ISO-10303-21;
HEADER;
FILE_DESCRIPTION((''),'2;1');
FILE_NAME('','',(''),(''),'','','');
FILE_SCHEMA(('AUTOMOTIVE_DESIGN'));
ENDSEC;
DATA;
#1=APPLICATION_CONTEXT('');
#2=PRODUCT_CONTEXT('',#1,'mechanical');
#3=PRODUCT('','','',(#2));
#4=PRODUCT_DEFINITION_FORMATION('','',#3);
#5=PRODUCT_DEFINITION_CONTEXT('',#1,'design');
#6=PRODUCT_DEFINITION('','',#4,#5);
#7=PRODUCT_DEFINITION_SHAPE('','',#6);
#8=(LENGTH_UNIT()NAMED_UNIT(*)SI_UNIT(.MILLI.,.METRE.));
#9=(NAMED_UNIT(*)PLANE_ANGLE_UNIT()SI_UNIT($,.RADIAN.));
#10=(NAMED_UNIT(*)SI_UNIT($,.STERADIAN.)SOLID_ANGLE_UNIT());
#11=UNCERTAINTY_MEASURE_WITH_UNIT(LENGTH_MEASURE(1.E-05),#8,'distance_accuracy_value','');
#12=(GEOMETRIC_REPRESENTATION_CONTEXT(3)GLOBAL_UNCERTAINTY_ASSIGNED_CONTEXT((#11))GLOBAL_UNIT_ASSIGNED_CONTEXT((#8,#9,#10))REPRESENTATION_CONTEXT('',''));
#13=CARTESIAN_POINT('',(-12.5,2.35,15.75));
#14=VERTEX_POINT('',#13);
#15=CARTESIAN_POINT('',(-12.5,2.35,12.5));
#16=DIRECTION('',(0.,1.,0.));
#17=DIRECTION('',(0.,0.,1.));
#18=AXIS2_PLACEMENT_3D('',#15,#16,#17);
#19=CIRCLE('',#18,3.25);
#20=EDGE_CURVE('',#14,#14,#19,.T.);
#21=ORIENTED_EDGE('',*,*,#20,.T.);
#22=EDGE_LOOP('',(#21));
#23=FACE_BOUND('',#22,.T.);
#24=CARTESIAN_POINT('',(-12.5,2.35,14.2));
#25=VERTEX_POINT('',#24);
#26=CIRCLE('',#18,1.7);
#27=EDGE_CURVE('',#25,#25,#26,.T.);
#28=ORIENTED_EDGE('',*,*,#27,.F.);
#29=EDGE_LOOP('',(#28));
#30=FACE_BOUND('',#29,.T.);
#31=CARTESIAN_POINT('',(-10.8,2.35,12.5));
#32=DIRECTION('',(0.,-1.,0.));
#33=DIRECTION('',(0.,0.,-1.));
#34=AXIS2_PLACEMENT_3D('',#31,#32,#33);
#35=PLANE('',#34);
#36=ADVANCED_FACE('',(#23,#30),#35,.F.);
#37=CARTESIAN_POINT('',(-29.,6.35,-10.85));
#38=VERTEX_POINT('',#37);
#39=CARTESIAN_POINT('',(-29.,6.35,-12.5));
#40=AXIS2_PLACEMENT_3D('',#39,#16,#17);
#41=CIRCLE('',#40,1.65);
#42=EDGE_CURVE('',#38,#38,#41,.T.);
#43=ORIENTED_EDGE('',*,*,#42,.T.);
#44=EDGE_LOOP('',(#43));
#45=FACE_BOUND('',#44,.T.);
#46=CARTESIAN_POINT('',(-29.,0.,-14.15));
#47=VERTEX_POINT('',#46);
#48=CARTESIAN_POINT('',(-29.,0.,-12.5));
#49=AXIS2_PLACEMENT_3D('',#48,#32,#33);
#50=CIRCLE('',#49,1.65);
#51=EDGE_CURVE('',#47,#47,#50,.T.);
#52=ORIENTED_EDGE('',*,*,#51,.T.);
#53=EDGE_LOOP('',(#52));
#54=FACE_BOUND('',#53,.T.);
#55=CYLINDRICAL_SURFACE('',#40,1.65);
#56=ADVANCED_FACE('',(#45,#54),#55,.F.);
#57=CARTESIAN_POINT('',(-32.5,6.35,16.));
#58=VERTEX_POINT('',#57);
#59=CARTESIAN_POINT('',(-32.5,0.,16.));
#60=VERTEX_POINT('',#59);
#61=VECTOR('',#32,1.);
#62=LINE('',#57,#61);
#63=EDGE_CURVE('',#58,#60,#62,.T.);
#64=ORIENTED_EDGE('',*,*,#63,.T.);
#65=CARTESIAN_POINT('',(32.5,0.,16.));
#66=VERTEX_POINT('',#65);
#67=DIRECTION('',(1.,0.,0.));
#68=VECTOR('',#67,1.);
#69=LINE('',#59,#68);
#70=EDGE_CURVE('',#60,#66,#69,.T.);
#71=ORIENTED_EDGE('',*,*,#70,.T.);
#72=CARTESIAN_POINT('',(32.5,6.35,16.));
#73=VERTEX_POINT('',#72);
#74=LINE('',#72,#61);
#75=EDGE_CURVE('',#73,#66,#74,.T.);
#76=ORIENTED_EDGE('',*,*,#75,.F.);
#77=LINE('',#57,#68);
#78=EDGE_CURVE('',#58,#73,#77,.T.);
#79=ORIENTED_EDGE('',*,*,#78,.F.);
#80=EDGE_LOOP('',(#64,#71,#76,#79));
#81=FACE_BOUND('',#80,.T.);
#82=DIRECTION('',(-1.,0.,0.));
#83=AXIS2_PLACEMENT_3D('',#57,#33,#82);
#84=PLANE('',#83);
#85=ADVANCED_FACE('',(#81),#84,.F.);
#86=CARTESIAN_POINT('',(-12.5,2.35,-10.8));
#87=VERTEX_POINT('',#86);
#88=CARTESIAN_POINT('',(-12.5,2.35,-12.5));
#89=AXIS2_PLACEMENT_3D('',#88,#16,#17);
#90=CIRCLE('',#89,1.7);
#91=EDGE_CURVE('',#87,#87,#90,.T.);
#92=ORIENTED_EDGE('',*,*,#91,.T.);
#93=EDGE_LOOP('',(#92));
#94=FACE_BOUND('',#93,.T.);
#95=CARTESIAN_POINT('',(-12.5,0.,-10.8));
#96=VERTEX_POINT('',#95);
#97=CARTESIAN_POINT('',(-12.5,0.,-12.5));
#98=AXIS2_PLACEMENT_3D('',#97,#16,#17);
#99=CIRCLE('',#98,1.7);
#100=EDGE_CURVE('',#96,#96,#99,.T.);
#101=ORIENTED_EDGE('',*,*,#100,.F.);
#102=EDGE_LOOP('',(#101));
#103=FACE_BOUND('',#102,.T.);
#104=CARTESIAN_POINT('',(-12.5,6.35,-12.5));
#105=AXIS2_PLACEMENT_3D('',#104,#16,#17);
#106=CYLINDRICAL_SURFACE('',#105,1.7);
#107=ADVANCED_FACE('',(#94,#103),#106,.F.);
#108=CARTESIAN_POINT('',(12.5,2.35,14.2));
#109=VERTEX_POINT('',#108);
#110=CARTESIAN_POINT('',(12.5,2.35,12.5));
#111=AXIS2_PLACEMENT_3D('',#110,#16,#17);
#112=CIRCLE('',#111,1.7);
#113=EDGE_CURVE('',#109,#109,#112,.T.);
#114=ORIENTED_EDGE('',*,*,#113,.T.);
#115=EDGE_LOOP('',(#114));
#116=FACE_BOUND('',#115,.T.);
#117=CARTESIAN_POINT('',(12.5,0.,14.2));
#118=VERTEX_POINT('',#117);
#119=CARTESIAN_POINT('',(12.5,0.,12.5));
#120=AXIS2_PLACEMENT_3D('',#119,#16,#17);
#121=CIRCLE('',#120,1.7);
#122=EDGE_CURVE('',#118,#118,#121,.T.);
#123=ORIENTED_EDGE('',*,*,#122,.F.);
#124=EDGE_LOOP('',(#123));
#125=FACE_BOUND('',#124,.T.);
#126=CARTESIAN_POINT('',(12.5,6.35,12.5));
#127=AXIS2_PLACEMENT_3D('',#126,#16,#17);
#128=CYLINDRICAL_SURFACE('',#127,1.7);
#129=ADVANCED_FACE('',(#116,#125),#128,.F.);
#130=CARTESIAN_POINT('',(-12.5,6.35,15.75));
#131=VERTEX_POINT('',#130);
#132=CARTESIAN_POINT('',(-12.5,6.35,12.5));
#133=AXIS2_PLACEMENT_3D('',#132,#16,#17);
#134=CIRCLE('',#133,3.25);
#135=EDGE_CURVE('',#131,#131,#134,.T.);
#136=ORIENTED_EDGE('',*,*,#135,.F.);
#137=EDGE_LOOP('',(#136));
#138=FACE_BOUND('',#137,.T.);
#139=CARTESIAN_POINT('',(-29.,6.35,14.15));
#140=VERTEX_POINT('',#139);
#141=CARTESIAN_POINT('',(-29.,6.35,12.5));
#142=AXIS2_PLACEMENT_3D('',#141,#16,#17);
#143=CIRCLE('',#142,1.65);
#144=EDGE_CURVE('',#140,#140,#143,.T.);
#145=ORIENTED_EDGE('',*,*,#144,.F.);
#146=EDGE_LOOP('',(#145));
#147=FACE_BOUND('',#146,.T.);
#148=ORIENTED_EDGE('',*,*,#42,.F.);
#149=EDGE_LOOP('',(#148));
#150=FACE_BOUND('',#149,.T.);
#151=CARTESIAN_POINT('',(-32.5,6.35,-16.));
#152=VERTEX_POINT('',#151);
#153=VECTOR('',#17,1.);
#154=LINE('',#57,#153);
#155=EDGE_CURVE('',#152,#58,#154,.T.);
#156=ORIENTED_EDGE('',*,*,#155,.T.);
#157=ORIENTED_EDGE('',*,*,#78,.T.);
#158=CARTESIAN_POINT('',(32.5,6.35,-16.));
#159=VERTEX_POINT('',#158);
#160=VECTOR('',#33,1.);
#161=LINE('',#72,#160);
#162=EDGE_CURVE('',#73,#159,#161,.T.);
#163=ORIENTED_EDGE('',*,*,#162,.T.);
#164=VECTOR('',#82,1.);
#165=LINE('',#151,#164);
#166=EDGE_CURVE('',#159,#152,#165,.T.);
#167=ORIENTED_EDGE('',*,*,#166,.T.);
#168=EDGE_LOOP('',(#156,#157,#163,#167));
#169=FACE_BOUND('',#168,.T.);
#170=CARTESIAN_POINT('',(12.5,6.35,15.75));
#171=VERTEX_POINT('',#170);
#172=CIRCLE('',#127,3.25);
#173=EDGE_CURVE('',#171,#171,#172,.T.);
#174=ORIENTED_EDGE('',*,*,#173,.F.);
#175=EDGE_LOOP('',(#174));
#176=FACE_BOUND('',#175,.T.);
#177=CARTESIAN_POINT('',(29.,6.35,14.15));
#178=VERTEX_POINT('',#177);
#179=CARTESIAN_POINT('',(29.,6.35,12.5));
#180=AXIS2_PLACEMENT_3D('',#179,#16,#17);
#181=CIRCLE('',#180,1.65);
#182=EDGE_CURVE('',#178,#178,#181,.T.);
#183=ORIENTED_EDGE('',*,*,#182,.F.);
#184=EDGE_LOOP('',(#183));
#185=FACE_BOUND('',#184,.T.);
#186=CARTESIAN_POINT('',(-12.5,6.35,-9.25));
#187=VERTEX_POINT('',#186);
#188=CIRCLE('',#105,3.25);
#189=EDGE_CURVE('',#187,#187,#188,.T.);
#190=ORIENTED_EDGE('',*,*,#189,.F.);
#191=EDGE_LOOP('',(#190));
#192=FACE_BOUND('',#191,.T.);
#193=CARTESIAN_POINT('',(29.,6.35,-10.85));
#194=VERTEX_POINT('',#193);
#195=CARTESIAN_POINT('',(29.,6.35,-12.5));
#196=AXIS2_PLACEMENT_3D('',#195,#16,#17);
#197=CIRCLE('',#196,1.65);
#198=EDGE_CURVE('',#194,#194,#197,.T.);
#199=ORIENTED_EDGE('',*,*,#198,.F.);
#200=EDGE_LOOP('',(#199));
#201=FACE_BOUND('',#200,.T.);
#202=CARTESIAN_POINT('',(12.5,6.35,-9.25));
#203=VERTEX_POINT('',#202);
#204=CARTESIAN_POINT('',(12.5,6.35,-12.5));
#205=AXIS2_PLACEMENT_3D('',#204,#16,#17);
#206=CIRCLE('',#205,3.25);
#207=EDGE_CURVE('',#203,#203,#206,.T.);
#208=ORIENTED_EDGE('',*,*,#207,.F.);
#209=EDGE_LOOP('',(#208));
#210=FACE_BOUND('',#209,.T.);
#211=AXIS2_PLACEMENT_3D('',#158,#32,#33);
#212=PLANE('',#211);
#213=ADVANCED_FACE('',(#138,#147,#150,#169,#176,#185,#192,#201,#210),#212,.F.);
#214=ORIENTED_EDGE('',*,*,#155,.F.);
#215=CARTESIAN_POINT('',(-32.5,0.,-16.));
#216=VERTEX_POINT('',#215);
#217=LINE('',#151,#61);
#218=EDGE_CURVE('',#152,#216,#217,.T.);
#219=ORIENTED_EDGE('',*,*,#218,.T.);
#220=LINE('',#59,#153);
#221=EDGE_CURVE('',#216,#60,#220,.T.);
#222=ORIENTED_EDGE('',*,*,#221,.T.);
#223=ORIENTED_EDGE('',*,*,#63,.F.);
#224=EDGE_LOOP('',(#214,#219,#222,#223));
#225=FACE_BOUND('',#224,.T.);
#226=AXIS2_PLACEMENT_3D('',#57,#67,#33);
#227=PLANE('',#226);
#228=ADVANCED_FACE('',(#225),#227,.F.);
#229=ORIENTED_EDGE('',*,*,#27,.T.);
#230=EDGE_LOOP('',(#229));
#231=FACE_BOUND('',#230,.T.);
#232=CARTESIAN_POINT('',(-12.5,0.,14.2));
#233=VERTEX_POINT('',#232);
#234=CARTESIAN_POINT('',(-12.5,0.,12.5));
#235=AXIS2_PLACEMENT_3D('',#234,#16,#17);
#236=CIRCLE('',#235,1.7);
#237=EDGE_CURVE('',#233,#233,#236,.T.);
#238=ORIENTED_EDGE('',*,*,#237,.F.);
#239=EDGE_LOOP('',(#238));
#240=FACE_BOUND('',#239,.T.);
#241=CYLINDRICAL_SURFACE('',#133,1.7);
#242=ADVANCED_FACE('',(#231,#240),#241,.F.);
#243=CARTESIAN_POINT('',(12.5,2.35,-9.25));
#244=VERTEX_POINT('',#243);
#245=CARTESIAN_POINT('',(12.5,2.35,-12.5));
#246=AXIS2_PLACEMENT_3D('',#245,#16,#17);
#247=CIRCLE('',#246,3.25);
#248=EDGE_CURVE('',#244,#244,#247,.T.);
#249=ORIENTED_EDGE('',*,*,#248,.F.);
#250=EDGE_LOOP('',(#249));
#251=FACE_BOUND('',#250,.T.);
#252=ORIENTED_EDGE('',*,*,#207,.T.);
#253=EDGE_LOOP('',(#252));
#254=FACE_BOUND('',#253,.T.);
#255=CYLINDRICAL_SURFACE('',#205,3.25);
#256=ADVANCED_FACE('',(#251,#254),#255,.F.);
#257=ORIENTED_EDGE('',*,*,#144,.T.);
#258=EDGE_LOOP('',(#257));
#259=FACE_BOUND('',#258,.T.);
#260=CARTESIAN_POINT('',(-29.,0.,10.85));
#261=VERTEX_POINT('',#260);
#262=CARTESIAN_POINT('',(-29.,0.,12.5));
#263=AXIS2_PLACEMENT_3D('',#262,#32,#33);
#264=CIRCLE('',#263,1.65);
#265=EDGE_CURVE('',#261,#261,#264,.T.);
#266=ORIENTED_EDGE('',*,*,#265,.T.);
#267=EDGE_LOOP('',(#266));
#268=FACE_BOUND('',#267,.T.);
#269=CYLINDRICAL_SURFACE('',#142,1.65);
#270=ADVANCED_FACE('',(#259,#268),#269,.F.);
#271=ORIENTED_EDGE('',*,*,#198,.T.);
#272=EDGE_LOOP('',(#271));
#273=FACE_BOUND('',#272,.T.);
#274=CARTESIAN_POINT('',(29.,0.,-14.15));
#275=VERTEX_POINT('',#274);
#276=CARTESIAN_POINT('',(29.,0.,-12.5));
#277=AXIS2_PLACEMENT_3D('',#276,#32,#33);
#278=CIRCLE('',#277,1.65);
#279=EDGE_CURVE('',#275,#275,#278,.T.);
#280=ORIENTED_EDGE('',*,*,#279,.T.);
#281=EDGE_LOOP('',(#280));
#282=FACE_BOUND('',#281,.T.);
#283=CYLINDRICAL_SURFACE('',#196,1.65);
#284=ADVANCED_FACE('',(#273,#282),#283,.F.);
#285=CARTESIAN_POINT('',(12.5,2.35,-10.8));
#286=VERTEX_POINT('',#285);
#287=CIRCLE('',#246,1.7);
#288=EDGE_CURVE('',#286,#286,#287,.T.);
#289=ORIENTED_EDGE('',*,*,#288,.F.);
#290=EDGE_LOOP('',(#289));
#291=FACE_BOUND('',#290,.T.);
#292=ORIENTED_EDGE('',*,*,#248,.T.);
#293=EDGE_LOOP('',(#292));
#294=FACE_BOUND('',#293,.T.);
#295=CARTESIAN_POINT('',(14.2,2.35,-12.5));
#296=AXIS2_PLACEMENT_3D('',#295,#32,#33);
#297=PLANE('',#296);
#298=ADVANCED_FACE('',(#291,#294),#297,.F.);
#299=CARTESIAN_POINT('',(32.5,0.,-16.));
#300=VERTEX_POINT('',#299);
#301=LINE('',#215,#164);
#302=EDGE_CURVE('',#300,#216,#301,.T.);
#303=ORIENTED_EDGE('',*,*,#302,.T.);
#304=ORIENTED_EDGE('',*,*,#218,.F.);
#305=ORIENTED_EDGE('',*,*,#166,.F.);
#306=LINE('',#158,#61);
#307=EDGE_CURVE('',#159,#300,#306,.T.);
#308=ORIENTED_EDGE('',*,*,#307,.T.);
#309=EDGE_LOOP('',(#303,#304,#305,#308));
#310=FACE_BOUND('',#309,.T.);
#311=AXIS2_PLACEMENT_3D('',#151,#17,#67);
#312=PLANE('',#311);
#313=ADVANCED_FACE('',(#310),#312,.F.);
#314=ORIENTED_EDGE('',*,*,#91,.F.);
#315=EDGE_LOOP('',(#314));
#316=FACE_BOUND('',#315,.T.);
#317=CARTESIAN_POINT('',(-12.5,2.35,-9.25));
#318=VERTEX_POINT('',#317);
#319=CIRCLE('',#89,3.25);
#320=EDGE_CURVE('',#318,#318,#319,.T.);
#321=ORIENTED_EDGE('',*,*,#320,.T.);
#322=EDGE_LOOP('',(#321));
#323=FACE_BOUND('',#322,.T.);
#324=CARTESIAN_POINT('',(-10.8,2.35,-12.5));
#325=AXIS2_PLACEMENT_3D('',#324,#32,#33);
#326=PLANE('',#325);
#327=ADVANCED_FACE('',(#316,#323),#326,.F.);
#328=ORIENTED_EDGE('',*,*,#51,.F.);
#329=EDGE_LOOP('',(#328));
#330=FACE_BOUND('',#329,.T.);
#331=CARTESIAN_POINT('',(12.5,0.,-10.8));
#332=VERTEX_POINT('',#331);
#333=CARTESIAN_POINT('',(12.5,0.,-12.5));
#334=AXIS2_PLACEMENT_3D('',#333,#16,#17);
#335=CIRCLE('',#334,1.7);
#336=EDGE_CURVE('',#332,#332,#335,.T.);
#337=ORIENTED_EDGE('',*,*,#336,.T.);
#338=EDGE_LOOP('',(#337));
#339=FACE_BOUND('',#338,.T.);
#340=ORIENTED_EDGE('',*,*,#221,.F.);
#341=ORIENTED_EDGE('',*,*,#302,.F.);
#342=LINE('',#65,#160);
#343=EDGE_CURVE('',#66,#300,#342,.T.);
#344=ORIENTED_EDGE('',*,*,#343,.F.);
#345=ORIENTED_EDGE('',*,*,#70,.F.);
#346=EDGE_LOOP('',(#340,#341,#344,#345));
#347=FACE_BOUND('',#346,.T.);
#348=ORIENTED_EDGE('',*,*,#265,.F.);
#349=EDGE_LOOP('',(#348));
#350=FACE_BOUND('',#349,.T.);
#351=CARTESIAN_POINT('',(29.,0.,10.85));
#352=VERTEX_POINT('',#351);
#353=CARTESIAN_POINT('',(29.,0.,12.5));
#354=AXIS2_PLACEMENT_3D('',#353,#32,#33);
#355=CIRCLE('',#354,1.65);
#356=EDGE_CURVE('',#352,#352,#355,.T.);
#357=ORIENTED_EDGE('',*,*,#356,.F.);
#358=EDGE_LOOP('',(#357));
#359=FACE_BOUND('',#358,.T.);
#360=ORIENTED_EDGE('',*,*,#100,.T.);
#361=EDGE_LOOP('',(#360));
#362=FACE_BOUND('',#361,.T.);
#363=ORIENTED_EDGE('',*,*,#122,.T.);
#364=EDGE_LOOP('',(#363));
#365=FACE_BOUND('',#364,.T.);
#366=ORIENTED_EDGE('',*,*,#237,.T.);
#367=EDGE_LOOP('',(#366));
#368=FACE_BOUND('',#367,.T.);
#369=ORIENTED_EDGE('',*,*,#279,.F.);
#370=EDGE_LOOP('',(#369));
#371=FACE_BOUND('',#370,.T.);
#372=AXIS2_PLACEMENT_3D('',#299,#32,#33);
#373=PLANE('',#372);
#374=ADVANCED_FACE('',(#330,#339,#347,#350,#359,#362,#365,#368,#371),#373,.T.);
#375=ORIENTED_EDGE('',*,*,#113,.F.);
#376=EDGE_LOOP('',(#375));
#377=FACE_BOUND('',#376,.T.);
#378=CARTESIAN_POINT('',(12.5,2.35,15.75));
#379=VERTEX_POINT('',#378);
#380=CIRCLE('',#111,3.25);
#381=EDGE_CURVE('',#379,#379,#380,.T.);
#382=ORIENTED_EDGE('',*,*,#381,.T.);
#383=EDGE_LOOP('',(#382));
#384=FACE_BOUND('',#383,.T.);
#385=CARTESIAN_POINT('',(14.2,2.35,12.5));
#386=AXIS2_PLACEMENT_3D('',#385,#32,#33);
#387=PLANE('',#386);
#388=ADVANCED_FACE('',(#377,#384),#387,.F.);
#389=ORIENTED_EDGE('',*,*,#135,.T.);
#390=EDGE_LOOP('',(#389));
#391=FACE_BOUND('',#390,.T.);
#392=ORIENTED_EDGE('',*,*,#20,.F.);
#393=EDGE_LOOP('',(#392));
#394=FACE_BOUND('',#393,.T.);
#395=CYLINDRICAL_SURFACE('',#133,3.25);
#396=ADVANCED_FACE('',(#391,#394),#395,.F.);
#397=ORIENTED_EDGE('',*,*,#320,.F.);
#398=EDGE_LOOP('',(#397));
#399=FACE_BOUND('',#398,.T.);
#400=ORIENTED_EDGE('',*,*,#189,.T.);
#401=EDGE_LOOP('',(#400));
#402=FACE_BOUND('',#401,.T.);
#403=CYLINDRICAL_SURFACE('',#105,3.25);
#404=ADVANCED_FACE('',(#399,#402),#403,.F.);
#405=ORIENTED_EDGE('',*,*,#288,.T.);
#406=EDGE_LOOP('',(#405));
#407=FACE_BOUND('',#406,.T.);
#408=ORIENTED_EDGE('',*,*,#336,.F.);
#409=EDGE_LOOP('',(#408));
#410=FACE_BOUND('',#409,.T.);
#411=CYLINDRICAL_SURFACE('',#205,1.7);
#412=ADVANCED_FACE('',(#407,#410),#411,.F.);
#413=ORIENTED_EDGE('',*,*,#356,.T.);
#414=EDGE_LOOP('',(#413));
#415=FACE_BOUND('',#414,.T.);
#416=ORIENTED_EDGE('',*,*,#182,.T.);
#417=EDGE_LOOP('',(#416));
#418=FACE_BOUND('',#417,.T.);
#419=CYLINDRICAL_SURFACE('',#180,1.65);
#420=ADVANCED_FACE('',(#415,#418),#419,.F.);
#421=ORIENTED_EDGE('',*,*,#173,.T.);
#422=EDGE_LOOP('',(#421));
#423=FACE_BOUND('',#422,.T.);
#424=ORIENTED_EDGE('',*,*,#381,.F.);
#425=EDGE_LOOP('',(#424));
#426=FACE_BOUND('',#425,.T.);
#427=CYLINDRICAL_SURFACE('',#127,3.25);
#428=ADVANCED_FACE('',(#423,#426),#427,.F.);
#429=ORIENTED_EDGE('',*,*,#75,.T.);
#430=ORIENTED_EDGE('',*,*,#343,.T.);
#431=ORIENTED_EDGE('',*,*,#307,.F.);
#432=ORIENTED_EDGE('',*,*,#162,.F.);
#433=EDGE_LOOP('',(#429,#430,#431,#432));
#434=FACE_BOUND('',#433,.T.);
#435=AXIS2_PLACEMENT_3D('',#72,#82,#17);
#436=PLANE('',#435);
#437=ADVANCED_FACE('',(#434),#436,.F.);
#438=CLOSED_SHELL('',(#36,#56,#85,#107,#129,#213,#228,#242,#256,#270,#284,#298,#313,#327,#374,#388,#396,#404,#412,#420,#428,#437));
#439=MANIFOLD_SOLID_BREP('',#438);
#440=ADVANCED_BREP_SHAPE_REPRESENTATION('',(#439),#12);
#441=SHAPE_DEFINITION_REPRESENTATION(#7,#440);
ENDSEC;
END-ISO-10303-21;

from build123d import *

# Parameters (mm, degrees)
SKETCH1_W                      = 65
SKETCH1_H                      = 32
EXTRUDE1_DEPTH                 = 6.35
CBORE_FOR_M3_SHCS2_D           = 3.4
CBORE_FOR_M3_SHCS2_CBORE_D     = 6.5
CBORE_FOR_M3_SHCS2_CBORE_DEPTH = 4
LPATTERN1_COUNT                = 2
LPATTERN1_PITCH                = 25
LPATTERN1_COUNT_DIR2           = 2
LPATTERN1_PITCH_DIR2           = 25
LPATTERN2_COUNT                = 2
LPATTERN2_PITCH                = 58
LPATTERN2_COUNT_DIR2           = 2
LPATTERN2_PITCH_DIR2           = 25


with BuildPart() as part:
    # Sketch1 → Extrude1 (new body)
    with BuildSketch(Plane(origin=(0, 0, 0), x_dir=(1, 0, 0), z_dir=(0, 1, 0))):
        Rectangle(SKETCH1_W, SKETCH1_H)
    extrude(amount=EXTRUDE1_DEPTH)

    # CBORE for M3 SHCS2 (through all)
    with Locations(Plane(origin=(-12.5, 6.35, -12.5), x_dir=(0, 0, 1), z_dir=(0, 1, 0))):
        with Locations((0, 0)):
            cbore_for_m3_shcs2 = CounterBoreHole(CBORE_FOR_M3_SHCS2_D / 2, CBORE_FOR_M3_SHCS2_CBORE_D / 2, CBORE_FOR_M3_SHCS2_CBORE_DEPTH)

    # LPattern1: CBORE for M3 SHCS2 2 × 2
    with Locations(*[(i * LPATTERN1_PITCH, 0, j * LPATTERN1_PITCH_DIR2) for i in range(LPATTERN1_COUNT) for j in range(LPATTERN1_COUNT_DIR2) if (i, j) != (0, 0)]):
        add(cbore_for_m3_shcs2, mode=Mode.SUBTRACT)

    # Sketch5 → M4x0.7 Tapped Hole1 (revolve, cut)
    with BuildSketch(Plane(origin=(-29, 6.35, -12.5), x_dir=(0, 0, 1), z_dir=(1, 0, 0))):
        Polygon((0, 0), (0, 12.491420021), (1.65, 11.5), (1.65, 0), align=None)
    m4x0_7_tapped_hole1 = revolve(axis=Axis((-29, 12.7, -12.5), (0, -1, 0)), mode=Mode.SUBTRACT)

    # LPattern2: M4x0.7 Tapped Hole1 2 × 2
    with Locations(*[(i * LPATTERN2_PITCH, 0, j * LPATTERN2_PITCH_DIR2) for i in range(LPATTERN2_COUNT) for j in range(LPATTERN2_COUNT_DIR2) if (i, j) != (0, 0)]):
        add(m4x0_7_tapped_hole1, mode=Mode.SUBTRACT)


solid = part.part
